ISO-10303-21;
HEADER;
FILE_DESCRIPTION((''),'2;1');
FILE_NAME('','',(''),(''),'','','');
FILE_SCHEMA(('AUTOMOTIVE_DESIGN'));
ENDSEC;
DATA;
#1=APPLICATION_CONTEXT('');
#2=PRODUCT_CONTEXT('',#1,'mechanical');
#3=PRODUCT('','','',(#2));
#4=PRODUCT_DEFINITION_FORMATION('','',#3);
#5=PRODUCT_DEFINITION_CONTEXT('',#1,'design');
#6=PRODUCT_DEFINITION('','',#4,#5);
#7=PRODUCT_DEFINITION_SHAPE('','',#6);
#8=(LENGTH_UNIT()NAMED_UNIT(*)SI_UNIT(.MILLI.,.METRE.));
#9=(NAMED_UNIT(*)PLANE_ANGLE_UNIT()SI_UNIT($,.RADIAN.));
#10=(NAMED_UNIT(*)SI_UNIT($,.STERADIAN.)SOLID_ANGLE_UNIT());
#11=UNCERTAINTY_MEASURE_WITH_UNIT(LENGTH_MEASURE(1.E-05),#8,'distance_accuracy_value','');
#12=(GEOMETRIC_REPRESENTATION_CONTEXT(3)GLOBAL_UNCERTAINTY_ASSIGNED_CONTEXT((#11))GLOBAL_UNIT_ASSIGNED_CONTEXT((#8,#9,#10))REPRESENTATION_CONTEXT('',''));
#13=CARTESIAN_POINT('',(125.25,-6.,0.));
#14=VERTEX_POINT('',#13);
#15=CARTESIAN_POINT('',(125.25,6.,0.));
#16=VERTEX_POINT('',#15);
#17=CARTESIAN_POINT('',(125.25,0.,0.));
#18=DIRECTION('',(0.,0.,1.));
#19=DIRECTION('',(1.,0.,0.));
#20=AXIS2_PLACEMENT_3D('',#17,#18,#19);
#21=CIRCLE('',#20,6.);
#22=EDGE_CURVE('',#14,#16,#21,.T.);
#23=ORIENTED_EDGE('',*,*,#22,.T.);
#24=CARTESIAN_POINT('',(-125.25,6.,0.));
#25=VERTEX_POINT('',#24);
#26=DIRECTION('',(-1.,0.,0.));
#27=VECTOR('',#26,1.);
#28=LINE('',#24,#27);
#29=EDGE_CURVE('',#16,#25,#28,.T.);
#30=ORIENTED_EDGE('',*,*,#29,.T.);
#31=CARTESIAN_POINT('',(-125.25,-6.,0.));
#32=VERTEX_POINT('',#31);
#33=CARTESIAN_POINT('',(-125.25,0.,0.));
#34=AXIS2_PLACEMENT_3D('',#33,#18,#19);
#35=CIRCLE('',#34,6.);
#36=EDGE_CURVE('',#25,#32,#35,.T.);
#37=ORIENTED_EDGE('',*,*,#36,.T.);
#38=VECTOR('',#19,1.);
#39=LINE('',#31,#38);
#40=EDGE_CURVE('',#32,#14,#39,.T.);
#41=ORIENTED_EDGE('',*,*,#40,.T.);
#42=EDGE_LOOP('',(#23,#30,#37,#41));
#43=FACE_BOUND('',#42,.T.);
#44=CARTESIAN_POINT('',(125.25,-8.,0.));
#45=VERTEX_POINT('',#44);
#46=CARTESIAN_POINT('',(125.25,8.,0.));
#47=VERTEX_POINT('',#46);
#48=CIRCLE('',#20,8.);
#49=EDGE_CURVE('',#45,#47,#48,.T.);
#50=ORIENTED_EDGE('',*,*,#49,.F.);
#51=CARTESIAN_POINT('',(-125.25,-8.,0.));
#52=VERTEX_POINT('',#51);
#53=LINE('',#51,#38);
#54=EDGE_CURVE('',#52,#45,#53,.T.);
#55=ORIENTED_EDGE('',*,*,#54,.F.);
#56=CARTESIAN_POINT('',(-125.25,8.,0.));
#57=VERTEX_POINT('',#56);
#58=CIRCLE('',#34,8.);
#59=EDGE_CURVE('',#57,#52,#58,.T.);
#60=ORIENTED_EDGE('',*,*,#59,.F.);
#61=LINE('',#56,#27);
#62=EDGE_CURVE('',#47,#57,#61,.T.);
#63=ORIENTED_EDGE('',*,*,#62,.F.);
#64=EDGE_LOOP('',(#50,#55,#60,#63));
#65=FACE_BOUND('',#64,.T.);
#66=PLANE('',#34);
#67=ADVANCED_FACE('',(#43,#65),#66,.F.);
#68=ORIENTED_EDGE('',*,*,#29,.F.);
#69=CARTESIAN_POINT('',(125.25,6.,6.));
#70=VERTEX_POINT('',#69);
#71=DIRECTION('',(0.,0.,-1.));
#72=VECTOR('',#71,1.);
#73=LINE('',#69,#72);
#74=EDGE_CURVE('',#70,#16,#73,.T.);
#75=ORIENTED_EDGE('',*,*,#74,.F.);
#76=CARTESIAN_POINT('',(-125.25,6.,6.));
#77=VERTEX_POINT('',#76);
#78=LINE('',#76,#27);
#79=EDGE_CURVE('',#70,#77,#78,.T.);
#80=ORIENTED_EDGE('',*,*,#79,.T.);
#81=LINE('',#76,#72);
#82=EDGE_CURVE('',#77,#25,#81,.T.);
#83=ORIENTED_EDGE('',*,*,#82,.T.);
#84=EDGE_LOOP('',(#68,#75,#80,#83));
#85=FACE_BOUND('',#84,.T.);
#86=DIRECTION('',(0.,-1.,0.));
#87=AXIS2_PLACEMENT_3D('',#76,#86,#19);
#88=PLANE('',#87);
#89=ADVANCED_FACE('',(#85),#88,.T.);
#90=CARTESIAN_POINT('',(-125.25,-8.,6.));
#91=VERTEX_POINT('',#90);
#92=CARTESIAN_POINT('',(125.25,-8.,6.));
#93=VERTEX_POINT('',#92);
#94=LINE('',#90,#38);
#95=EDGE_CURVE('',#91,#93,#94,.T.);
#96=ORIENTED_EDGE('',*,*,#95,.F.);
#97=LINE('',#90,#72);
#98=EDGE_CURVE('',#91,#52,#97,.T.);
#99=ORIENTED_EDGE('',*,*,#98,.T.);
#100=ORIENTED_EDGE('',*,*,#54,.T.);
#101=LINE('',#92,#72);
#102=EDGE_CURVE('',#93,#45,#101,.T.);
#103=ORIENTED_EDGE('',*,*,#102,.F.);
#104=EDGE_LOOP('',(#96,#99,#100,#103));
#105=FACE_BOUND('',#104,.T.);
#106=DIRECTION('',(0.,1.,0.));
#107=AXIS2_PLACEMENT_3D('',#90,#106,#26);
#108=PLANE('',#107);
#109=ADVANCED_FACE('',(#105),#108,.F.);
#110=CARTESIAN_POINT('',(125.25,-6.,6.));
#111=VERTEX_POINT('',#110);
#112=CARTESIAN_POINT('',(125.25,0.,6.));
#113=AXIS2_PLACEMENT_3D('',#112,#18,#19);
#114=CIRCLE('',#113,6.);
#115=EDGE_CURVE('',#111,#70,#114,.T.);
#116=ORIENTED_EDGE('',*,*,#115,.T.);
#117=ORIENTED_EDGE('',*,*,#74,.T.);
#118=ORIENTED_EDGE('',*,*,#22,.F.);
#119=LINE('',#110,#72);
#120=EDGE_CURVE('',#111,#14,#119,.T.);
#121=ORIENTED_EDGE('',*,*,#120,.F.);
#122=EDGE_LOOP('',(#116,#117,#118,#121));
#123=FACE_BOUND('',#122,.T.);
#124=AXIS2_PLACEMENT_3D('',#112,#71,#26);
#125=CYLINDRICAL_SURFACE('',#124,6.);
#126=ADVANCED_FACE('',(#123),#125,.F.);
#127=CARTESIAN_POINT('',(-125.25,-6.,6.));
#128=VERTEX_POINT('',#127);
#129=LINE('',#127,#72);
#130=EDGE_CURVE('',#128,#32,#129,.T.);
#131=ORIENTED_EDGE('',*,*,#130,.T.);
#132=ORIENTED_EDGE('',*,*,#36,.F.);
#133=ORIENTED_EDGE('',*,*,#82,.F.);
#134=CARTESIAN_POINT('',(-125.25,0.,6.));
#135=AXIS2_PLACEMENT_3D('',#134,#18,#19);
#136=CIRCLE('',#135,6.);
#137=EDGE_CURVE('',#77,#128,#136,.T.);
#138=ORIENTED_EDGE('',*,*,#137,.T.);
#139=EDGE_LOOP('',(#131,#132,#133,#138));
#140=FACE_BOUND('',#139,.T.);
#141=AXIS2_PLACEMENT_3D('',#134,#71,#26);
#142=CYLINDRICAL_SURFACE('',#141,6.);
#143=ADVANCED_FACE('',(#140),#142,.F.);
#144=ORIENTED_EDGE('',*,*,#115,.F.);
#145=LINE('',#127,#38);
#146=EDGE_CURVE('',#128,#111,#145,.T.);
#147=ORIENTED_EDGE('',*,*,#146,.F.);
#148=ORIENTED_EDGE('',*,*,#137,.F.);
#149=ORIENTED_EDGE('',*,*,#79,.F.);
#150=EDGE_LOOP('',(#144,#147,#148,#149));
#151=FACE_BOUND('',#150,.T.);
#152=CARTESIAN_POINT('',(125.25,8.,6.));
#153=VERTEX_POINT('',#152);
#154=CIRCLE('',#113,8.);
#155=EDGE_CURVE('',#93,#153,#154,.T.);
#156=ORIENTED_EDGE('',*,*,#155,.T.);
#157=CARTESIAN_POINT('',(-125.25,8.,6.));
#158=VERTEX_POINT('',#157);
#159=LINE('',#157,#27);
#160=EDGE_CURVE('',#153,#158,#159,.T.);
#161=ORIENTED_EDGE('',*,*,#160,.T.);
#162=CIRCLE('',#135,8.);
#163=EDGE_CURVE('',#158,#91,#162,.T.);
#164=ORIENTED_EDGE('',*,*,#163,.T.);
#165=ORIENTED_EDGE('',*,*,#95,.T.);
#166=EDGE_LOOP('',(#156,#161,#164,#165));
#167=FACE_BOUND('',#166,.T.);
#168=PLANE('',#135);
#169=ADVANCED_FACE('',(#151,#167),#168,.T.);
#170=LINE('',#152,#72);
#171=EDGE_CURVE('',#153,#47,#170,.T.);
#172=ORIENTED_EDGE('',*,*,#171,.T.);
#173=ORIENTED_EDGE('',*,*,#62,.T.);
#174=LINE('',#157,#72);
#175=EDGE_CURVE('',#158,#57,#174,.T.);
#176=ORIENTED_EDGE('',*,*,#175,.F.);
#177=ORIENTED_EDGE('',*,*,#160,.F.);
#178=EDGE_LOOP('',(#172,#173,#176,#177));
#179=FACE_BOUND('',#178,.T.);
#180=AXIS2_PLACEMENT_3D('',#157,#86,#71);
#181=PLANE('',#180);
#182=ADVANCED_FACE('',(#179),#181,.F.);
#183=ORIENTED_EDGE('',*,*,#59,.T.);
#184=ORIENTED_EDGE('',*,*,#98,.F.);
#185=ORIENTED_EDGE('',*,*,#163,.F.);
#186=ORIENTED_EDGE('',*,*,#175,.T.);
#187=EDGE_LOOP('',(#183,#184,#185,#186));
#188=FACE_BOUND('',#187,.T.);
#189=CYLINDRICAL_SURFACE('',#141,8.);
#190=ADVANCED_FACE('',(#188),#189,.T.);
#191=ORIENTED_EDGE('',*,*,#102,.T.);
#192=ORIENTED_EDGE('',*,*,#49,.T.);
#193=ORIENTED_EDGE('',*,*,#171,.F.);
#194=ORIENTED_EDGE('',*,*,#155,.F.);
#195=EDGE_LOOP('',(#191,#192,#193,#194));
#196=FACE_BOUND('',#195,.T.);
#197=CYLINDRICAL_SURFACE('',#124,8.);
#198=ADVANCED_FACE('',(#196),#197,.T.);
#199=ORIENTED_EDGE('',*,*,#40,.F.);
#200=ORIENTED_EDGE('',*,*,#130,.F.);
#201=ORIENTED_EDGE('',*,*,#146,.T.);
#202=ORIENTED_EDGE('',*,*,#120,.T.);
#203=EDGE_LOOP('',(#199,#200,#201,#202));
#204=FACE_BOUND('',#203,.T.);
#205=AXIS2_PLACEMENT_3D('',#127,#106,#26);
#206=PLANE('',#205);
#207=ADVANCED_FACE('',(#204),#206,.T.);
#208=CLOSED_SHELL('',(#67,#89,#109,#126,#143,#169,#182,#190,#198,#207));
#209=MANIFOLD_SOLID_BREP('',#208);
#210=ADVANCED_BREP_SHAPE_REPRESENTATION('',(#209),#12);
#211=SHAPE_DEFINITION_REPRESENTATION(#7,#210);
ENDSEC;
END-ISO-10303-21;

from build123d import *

# Parameters (mm, degrees)
RESSALTO_EXTRUS_O1_DEPTH = 6


with BuildPart() as part:
    # Esboço1 → Ressalto-extrusão1 (new body)
    with BuildSketch(Plane.XY):
        with BuildLine():
            Line((-125.25, 8), (125.25, 8))
            ThreePointArc((125.25, 8), (133.25, 0), (125.25, -8))
            Line((125.25, -8), (-125.25, -8))
            ThreePointArc((-125.25, -8), (-133.25, 0), (-125.25, 8))
        make_face()
        with BuildLine():
            Line((-125.25, 6), (125.25, 6))
            ThreePointArc((125.25, 6), (131.25, 0), (125.25, -6))
            Line((125.25, -6), (-125.25, -6))
            ThreePointArc((-125.25, -6), (-131.25, 0), (-125.25, 6))
        make_face(mode=Mode.SUBTRACT)
    extrude(amount=RESSALTO_EXTRUS_O1_DEPTH)


solid = part.part
